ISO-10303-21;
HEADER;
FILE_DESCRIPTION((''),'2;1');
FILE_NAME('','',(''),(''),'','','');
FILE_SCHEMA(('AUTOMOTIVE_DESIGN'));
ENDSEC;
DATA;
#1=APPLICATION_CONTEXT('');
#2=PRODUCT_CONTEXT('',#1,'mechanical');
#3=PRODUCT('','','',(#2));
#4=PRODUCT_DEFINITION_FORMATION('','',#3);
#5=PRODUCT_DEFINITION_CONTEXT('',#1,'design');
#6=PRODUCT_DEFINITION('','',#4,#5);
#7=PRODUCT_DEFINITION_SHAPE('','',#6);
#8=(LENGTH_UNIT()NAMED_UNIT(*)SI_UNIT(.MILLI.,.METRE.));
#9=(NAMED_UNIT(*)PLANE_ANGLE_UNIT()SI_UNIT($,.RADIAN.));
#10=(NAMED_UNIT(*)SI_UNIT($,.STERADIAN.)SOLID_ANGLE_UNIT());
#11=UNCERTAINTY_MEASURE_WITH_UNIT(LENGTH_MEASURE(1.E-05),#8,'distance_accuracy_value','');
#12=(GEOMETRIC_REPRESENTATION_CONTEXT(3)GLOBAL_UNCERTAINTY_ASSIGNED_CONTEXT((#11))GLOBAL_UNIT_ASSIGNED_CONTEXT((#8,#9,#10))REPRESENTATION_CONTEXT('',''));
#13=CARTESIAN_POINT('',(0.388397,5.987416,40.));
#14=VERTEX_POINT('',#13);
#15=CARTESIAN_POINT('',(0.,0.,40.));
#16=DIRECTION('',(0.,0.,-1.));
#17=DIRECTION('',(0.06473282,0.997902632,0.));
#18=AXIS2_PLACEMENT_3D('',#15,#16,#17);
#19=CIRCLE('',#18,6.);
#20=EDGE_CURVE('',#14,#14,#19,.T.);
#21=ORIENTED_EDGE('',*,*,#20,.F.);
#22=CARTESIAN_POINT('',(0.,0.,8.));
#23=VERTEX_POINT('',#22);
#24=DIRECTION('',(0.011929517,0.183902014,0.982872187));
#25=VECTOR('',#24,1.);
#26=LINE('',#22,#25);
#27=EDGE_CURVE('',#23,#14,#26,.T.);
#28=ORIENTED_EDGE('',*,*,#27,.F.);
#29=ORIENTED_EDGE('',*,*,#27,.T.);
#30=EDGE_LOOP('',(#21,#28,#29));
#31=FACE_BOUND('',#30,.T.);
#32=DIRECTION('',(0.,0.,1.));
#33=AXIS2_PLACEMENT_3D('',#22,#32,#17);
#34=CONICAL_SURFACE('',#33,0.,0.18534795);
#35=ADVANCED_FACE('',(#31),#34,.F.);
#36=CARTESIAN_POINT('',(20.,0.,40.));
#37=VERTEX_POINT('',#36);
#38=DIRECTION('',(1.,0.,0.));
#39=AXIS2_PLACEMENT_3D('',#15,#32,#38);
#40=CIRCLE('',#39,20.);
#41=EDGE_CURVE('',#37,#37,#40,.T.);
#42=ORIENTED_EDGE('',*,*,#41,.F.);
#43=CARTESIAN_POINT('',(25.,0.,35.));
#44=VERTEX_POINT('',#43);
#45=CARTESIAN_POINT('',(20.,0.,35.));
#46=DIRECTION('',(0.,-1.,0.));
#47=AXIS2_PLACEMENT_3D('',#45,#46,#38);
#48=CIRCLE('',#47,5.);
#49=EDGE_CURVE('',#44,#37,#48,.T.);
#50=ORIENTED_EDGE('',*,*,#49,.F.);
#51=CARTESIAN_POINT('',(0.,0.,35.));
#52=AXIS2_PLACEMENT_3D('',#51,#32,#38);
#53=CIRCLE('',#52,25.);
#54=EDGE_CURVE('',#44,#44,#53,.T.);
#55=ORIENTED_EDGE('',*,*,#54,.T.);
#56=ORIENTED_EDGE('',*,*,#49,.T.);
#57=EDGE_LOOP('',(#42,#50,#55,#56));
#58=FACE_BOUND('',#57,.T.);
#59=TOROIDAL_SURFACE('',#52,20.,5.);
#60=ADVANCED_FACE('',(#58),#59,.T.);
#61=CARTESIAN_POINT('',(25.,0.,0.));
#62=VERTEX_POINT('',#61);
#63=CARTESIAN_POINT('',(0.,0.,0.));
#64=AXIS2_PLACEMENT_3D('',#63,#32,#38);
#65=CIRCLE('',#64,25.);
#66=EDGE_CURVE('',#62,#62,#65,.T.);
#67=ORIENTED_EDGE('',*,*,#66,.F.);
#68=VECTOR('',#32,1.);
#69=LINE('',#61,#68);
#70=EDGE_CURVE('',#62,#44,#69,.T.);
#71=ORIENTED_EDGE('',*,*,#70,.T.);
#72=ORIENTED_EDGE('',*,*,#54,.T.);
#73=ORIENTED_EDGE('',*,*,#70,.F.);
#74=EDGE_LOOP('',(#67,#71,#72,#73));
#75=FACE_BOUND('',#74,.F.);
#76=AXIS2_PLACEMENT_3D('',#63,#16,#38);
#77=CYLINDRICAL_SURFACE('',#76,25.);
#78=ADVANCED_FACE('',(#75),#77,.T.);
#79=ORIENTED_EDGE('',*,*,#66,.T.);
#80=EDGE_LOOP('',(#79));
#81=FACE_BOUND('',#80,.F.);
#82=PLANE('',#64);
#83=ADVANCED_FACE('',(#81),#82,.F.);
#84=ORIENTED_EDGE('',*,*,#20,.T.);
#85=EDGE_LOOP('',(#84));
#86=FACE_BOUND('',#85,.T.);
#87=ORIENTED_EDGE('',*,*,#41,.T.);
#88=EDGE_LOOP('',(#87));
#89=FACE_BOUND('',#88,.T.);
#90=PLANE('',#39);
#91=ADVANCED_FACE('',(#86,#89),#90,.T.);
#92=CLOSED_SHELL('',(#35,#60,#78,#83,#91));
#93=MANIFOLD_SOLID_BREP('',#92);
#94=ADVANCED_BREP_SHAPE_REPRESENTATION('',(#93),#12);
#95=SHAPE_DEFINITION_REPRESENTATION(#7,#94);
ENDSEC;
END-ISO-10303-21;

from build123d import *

# Parameters (mm, degrees)
F0_R     = 25
F1_DEPTH = 40
F6_R     = 5


with BuildPart() as f1:
    # F0 (on Top) → F1 (new body)
    with BuildSketch(Plane.XY):
        Circle(F0_R)
    extrude(amount=F1_DEPTH)

    # F4 (on 3pt) → F5 (revolve, cut)
    with BuildSketch(Plane(origin=(0, 0, 0), x_dir=(0.0647328202, 0.9979026315, 0), z_dir=(0.9979026315, -0.0647328202, 0))):
        Polygon((6, 40), (0, 40), (0, 8), align=None)
    revolve(axis=Axis((0, 0, 24), (0, 0, -1)), mode=Mode.SUBTRACT)

    # F6
    f6_edges = [f1.edges().sort_by_distance(p)[0] for p in [
        (-25, 0, 40),
    ]]
    fillet(f6_edges, radius=F6_R)


solid = f1.part
